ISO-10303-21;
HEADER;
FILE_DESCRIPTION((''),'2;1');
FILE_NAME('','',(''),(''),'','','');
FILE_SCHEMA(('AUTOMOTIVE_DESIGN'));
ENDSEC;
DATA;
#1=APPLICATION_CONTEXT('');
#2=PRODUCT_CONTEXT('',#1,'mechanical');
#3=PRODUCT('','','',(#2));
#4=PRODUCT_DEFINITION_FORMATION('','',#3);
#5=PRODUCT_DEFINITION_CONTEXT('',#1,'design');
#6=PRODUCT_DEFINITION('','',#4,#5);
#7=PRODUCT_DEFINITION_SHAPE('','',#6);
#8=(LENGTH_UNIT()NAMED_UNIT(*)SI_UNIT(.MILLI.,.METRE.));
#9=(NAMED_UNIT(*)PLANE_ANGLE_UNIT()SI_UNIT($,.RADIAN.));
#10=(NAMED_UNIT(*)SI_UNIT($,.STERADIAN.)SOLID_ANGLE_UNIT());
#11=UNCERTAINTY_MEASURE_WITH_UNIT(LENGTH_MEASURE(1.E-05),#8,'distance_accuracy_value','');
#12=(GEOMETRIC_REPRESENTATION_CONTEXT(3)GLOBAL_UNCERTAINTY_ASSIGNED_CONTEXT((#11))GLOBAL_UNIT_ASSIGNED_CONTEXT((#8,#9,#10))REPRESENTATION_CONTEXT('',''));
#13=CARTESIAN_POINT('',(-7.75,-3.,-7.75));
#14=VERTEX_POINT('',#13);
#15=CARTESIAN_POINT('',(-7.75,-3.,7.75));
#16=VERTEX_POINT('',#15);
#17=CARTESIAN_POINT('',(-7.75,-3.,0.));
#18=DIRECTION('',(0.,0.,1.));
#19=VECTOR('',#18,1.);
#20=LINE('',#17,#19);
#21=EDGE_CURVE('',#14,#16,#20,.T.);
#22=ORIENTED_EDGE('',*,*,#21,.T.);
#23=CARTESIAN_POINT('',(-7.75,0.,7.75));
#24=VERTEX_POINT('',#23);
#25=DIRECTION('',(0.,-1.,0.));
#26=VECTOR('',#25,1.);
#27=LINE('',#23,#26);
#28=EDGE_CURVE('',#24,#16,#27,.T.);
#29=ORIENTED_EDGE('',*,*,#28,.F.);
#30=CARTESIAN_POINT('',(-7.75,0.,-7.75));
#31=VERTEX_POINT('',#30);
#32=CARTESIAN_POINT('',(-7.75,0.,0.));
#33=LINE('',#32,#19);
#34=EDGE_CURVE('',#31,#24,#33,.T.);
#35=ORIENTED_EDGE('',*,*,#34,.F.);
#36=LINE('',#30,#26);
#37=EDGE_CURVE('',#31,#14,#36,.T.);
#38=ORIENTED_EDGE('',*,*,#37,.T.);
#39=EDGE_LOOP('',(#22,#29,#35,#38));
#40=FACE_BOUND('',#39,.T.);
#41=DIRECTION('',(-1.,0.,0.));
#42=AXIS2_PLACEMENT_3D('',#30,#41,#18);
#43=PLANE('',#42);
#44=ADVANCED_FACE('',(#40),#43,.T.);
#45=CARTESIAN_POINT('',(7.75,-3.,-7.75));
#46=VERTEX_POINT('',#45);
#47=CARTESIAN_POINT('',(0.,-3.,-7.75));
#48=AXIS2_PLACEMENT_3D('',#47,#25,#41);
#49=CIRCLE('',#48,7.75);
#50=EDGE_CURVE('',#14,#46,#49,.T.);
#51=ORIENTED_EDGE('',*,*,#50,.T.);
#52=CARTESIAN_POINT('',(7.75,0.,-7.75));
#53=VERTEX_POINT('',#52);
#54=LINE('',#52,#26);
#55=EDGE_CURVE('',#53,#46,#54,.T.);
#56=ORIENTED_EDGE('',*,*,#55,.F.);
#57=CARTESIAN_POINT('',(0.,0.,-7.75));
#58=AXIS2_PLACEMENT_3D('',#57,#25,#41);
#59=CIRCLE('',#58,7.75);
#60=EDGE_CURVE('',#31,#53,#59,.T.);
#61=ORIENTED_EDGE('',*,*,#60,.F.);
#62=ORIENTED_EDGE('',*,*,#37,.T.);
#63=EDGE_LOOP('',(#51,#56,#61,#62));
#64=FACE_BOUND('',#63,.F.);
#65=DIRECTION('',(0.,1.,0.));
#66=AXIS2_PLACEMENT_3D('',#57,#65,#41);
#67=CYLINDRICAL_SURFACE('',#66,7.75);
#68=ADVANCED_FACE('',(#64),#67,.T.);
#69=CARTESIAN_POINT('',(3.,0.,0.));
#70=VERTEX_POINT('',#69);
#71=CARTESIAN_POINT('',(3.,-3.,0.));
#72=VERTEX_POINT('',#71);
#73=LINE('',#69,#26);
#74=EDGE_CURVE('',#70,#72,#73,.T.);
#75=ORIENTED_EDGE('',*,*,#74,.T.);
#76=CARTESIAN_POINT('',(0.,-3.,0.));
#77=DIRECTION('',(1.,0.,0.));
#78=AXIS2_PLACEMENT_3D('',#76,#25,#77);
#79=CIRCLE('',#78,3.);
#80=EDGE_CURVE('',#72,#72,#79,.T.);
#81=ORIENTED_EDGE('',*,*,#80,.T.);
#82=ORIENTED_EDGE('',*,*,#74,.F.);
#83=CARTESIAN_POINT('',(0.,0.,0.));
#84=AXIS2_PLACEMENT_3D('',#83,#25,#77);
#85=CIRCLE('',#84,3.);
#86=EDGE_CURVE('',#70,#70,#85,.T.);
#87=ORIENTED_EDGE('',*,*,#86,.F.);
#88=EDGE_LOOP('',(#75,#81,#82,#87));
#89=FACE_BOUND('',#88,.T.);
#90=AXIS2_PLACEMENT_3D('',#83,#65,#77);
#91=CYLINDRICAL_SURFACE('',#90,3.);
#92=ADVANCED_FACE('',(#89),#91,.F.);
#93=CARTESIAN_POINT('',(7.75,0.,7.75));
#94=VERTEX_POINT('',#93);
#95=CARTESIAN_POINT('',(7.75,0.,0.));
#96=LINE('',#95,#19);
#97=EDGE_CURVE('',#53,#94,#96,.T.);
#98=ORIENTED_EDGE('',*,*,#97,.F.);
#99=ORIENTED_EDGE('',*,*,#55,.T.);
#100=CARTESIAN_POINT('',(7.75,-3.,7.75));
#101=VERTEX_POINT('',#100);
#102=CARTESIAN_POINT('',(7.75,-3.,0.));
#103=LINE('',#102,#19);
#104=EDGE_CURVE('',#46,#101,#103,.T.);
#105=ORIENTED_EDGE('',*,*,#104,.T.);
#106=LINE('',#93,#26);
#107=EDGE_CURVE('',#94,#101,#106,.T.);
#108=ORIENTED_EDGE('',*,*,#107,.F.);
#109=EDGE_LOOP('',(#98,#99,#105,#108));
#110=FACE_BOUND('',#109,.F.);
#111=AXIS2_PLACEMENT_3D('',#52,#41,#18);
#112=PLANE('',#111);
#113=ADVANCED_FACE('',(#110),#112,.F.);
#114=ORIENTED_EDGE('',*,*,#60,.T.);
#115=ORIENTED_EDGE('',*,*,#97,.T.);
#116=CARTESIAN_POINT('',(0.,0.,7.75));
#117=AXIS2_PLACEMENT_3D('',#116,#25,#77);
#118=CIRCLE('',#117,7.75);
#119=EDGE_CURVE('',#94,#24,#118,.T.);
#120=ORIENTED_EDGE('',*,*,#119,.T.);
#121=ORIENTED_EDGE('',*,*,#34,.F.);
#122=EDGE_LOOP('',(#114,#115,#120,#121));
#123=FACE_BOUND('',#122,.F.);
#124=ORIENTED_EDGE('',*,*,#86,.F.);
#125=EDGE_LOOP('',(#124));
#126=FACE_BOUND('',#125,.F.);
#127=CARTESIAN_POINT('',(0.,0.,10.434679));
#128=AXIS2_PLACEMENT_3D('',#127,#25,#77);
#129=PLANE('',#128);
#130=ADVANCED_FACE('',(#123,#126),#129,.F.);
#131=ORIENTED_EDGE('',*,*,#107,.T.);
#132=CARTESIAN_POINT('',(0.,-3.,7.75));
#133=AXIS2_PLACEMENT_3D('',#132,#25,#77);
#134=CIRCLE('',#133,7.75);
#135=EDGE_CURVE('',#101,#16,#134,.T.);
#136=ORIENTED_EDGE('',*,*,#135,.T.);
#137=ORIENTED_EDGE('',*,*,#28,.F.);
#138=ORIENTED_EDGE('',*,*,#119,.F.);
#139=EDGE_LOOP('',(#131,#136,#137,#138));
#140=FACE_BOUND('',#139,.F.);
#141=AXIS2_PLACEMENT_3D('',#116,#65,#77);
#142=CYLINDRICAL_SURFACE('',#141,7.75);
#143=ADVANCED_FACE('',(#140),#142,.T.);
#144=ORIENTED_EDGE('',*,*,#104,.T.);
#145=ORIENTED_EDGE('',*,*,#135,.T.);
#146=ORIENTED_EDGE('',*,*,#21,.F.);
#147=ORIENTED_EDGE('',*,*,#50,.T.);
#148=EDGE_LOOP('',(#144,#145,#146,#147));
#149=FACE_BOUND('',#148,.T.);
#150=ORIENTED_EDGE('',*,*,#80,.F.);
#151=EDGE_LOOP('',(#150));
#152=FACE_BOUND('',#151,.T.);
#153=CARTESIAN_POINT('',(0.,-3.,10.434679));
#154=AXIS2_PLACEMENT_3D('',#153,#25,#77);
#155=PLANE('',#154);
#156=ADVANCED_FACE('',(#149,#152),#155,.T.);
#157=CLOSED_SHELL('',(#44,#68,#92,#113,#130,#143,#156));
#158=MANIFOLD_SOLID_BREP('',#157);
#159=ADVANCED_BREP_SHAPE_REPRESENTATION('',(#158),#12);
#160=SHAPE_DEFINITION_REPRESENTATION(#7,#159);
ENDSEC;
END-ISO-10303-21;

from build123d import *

# Parameters (mm, degrees)
F0_W     = 15.5
F0_H     = 15.5
F0_R     = 3
F1_DEPTH = 3


with BuildPart() as f1:
    # F0 (on Front) → F1 (new body)
    with BuildSketch(Plane.XZ):
        with BuildLine():
            ThreePointArc((7.75, 7.75), (0, 15.5), (-7.75, 7.75))
            Line((-7.75, 7.75), (7.75, 7.75))
        make_face()
        Rectangle(F0_W, F0_H)
        Circle(F0_R, mode=Mode.SUBTRACT)
        with BuildLine():
            Line((7.75, -7.75), (-7.75, -7.75))
            ThreePointArc((-7.75, -7.75), (0, -15.5), (7.75, -7.75))
        make_face()
    extrude(amount=F1_DEPTH)


solid = f1.part
